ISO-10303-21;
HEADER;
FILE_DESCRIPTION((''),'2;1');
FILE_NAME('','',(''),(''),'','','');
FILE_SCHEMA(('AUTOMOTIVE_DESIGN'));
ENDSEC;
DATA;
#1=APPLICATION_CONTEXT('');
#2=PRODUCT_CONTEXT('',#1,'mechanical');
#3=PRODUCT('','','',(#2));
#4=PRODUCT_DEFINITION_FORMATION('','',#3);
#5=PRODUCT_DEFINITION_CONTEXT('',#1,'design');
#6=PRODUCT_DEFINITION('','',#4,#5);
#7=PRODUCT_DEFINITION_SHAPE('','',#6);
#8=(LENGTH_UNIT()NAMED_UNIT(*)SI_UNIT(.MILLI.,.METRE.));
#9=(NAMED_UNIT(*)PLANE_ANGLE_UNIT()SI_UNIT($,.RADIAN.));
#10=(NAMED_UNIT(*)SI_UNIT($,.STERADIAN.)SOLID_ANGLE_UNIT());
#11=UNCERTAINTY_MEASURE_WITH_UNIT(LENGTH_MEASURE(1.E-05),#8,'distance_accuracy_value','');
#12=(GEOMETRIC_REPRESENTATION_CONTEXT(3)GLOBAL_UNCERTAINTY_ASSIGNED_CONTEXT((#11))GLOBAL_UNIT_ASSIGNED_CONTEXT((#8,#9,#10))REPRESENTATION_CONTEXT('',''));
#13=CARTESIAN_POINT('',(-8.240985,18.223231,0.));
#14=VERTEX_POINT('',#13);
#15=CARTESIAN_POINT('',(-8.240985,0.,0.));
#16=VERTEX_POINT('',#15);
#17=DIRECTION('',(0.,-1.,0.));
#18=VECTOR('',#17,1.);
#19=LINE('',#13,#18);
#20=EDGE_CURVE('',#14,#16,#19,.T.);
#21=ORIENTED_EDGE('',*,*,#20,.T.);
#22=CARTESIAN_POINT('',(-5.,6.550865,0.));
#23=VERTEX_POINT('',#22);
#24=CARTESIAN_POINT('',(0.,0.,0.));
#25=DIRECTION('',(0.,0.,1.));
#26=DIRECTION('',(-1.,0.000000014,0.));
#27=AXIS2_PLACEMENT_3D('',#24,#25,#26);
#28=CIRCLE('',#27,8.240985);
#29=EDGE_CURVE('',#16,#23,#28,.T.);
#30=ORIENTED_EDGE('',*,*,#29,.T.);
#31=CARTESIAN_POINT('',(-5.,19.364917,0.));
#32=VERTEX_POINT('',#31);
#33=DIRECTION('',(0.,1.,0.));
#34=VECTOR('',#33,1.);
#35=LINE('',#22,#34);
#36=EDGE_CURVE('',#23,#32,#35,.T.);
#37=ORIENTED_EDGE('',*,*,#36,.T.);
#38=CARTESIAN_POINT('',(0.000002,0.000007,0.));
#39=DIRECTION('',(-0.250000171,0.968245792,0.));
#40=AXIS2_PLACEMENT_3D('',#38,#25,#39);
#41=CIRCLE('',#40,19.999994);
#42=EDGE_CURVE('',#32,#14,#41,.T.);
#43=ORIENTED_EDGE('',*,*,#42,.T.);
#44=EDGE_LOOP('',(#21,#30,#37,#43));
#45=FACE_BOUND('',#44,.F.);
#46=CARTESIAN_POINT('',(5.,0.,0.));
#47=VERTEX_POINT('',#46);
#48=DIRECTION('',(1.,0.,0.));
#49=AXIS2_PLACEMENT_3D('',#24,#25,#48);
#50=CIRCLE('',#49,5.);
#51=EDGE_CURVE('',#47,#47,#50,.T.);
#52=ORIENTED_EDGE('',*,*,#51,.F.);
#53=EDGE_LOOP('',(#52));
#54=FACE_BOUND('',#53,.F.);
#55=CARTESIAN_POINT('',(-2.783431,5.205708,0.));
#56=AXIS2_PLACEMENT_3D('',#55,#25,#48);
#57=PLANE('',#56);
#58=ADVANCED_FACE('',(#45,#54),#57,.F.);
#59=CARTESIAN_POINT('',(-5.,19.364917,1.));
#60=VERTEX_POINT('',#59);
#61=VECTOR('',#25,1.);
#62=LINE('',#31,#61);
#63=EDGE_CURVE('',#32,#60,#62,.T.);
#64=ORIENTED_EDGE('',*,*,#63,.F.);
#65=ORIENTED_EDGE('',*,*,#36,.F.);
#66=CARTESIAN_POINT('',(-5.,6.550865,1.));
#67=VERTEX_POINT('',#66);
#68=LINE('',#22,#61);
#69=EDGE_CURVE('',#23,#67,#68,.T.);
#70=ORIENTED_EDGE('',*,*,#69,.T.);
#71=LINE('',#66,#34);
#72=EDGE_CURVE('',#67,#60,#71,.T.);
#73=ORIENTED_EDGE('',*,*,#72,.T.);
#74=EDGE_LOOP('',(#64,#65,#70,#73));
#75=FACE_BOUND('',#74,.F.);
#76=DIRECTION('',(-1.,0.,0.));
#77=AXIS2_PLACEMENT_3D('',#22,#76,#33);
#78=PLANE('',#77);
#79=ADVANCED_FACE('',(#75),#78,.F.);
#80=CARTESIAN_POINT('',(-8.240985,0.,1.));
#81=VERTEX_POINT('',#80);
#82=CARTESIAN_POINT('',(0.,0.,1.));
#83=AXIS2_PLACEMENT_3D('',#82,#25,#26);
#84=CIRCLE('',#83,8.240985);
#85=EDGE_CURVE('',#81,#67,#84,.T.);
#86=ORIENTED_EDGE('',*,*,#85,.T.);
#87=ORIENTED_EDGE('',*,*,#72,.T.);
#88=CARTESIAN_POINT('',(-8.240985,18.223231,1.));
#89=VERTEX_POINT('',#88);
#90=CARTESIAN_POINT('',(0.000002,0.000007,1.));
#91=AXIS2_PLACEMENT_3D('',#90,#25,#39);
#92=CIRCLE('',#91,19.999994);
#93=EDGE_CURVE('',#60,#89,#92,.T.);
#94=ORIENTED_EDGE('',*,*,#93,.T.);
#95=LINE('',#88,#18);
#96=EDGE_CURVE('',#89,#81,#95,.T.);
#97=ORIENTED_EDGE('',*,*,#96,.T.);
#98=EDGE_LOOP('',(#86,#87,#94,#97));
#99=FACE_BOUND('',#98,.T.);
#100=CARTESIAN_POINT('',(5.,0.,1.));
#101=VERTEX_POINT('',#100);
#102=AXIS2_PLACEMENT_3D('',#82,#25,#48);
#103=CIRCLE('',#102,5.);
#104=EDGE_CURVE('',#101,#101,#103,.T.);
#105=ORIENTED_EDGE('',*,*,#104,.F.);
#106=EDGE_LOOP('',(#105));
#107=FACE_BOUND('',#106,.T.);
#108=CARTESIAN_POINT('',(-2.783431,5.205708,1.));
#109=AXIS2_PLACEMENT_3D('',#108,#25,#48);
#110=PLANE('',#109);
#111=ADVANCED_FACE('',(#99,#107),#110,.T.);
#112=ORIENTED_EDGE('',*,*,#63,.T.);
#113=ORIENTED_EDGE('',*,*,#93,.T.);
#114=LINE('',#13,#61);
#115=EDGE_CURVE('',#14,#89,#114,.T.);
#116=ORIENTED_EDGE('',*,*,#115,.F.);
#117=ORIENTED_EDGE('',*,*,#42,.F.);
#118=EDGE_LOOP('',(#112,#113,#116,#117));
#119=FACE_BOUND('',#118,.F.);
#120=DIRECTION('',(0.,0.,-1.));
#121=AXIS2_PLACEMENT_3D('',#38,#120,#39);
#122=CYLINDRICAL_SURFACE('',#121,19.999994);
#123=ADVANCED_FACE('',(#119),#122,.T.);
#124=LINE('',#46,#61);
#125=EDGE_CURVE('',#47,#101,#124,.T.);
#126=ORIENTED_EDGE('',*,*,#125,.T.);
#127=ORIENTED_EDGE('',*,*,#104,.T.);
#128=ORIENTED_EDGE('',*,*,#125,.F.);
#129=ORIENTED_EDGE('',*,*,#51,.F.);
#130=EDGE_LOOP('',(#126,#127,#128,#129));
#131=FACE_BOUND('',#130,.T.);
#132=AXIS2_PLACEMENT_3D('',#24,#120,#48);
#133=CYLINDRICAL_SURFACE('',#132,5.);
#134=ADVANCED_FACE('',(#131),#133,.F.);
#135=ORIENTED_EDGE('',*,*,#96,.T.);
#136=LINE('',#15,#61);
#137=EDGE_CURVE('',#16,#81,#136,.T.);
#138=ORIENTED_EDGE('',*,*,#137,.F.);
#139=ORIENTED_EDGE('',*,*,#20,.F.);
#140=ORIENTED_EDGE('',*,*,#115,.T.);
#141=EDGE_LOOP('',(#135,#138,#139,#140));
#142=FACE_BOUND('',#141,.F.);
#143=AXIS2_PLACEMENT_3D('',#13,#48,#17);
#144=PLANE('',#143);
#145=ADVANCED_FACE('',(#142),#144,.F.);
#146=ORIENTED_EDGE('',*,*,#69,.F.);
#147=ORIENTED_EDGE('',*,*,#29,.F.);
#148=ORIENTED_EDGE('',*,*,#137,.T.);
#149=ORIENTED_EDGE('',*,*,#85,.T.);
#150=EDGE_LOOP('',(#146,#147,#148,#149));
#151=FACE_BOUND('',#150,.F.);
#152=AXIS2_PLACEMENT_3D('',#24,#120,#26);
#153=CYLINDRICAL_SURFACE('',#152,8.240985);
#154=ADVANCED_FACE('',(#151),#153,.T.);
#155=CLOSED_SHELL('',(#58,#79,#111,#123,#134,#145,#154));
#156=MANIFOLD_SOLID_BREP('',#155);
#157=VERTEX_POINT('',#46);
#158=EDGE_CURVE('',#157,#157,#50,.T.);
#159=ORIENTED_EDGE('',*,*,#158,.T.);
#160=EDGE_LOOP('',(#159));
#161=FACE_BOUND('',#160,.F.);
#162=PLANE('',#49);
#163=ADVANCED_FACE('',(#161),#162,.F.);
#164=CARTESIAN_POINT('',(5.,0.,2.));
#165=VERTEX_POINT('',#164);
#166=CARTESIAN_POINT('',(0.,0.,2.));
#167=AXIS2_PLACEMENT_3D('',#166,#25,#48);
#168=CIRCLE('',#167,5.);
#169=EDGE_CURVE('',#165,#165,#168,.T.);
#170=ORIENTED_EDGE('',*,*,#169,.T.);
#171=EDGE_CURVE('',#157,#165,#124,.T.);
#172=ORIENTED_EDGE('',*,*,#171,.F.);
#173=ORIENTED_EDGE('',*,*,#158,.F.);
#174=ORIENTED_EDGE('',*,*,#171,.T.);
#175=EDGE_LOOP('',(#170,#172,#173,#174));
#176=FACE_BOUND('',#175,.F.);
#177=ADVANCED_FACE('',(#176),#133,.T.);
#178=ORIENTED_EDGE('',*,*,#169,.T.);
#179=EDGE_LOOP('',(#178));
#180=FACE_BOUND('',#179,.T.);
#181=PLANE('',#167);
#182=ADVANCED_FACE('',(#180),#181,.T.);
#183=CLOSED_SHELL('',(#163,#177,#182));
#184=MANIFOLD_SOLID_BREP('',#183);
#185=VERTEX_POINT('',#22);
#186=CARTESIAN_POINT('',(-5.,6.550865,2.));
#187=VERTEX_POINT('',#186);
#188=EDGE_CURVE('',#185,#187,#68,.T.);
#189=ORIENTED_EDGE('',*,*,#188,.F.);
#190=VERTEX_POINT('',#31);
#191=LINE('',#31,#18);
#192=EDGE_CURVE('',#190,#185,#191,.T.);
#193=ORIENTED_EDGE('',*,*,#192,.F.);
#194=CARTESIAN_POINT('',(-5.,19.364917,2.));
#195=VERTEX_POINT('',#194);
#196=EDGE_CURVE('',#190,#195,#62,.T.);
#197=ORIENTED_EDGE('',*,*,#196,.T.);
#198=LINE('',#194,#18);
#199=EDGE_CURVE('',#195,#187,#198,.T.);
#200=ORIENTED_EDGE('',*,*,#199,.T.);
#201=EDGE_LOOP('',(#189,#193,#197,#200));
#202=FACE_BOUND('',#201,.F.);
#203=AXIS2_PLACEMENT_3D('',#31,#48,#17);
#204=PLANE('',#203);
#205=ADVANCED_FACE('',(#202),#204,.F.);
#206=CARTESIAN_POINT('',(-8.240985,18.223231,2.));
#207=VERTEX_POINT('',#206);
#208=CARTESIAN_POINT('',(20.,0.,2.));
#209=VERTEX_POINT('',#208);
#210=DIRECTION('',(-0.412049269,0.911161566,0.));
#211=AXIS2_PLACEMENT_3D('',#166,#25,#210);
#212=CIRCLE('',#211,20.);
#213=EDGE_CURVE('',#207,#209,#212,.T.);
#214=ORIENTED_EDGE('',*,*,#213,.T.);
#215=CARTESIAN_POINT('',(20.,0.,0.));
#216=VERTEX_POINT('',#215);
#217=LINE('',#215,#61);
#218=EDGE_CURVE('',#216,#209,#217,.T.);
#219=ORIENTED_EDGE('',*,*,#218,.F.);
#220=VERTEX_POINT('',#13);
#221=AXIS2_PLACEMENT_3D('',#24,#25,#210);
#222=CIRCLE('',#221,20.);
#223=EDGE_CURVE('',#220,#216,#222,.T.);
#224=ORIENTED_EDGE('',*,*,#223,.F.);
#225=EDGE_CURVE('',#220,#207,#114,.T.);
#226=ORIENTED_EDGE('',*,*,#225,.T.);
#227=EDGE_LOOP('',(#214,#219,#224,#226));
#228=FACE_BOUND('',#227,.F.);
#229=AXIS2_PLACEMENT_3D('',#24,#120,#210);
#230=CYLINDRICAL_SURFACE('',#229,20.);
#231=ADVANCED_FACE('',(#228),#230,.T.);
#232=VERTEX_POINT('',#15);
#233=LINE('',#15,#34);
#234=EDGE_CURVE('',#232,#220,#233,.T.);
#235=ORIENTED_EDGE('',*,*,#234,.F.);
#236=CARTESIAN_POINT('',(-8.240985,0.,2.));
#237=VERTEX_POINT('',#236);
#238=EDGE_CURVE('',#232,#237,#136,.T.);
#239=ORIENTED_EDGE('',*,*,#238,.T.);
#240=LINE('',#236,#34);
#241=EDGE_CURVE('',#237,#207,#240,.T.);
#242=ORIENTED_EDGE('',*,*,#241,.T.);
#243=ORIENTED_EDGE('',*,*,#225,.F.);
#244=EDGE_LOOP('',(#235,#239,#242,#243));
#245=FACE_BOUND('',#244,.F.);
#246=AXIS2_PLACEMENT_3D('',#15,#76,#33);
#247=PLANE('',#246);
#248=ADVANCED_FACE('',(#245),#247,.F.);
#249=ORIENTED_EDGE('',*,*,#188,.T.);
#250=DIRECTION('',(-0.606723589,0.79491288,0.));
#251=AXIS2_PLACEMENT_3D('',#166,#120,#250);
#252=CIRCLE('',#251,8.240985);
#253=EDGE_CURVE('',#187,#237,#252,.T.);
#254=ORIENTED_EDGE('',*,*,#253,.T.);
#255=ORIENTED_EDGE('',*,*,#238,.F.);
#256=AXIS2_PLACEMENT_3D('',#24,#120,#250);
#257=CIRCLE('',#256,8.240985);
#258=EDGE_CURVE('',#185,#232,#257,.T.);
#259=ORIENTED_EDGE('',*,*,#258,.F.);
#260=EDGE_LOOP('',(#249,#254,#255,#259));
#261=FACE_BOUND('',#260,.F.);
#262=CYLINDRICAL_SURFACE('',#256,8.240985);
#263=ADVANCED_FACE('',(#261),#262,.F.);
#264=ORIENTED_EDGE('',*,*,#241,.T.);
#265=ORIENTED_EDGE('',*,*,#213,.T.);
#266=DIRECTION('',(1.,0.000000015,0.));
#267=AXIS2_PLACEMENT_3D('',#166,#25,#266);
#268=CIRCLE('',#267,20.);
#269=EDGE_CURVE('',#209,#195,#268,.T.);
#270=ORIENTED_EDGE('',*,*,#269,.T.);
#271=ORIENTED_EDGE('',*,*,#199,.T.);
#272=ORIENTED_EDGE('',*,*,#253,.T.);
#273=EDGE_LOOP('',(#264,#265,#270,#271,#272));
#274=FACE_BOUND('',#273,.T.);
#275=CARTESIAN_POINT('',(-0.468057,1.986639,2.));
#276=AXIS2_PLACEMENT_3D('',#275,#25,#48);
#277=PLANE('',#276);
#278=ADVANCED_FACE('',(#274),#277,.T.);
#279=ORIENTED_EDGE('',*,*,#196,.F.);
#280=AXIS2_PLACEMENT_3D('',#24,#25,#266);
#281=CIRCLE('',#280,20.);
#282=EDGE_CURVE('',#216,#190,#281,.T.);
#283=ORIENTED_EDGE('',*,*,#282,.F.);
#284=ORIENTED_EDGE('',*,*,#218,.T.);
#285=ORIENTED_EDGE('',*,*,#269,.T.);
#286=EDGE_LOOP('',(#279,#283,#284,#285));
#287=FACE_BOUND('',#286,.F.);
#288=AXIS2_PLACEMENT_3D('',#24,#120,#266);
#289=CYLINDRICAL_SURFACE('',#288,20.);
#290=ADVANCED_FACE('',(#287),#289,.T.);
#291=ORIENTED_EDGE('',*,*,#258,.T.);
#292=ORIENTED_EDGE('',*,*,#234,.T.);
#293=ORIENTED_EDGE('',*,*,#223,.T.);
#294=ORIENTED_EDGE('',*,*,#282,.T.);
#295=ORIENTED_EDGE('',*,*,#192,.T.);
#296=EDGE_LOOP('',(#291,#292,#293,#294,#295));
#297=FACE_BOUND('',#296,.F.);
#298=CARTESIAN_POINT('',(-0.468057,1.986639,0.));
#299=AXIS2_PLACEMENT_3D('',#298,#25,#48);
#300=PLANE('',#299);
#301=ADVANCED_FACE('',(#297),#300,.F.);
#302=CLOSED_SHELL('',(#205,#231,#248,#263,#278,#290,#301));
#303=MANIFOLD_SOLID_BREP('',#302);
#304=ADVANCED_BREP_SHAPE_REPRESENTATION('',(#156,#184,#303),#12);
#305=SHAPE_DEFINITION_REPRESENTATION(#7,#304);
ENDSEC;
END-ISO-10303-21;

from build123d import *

# Parameters (mm, degrees)
F0_R     = 5
F1_DEPTH = 2
F2_DEPTH = 1


with BuildPart() as f1:
    # F0 (on Top) → F1 (new body)
    with BuildSketch(Plane.XY):
        with BuildLine():
            ThreePointArc((-8.240985, 18.223231), (-10.843899, -16.805054), (20, 0))
            ThreePointArc((20, 0), (12.247449, 15.811388), (-5, 19.364917))
            Line((-5, 19.364917), (-5, 6.550865))
            ThreePointArc((-5, 6.550865), (7.386432, -3.654375), (-8.240985, 0))
            Line((-8.240985, 0), (-8.240985, 18.223231))
        make_face()
        Circle(F0_R)
    extrude(amount=F1_DEPTH)


with BuildPart() as f2:
    # F0 (on Top) → F2 (new body)
    with BuildSketch(Plane.XY):
        with BuildLine():
            Line((-5, 6.550865), (-5, 19.364917))
            ThreePointArc((-5, 19.364917), (-6.645057, 18.863807), (-8.240985, 18.223231))
            Line((-8.240985, 18.223231), (-8.240985, 0))
            ThreePointArc((-8.240985, 0), (7.386432, -3.654375), (-5, 6.550865))
        make_face()
        Circle(F0_R, mode=Mode.SUBTRACT)
    extrude(amount=F2_DEPTH)


solid = Compound([f1.part, f2.part])
